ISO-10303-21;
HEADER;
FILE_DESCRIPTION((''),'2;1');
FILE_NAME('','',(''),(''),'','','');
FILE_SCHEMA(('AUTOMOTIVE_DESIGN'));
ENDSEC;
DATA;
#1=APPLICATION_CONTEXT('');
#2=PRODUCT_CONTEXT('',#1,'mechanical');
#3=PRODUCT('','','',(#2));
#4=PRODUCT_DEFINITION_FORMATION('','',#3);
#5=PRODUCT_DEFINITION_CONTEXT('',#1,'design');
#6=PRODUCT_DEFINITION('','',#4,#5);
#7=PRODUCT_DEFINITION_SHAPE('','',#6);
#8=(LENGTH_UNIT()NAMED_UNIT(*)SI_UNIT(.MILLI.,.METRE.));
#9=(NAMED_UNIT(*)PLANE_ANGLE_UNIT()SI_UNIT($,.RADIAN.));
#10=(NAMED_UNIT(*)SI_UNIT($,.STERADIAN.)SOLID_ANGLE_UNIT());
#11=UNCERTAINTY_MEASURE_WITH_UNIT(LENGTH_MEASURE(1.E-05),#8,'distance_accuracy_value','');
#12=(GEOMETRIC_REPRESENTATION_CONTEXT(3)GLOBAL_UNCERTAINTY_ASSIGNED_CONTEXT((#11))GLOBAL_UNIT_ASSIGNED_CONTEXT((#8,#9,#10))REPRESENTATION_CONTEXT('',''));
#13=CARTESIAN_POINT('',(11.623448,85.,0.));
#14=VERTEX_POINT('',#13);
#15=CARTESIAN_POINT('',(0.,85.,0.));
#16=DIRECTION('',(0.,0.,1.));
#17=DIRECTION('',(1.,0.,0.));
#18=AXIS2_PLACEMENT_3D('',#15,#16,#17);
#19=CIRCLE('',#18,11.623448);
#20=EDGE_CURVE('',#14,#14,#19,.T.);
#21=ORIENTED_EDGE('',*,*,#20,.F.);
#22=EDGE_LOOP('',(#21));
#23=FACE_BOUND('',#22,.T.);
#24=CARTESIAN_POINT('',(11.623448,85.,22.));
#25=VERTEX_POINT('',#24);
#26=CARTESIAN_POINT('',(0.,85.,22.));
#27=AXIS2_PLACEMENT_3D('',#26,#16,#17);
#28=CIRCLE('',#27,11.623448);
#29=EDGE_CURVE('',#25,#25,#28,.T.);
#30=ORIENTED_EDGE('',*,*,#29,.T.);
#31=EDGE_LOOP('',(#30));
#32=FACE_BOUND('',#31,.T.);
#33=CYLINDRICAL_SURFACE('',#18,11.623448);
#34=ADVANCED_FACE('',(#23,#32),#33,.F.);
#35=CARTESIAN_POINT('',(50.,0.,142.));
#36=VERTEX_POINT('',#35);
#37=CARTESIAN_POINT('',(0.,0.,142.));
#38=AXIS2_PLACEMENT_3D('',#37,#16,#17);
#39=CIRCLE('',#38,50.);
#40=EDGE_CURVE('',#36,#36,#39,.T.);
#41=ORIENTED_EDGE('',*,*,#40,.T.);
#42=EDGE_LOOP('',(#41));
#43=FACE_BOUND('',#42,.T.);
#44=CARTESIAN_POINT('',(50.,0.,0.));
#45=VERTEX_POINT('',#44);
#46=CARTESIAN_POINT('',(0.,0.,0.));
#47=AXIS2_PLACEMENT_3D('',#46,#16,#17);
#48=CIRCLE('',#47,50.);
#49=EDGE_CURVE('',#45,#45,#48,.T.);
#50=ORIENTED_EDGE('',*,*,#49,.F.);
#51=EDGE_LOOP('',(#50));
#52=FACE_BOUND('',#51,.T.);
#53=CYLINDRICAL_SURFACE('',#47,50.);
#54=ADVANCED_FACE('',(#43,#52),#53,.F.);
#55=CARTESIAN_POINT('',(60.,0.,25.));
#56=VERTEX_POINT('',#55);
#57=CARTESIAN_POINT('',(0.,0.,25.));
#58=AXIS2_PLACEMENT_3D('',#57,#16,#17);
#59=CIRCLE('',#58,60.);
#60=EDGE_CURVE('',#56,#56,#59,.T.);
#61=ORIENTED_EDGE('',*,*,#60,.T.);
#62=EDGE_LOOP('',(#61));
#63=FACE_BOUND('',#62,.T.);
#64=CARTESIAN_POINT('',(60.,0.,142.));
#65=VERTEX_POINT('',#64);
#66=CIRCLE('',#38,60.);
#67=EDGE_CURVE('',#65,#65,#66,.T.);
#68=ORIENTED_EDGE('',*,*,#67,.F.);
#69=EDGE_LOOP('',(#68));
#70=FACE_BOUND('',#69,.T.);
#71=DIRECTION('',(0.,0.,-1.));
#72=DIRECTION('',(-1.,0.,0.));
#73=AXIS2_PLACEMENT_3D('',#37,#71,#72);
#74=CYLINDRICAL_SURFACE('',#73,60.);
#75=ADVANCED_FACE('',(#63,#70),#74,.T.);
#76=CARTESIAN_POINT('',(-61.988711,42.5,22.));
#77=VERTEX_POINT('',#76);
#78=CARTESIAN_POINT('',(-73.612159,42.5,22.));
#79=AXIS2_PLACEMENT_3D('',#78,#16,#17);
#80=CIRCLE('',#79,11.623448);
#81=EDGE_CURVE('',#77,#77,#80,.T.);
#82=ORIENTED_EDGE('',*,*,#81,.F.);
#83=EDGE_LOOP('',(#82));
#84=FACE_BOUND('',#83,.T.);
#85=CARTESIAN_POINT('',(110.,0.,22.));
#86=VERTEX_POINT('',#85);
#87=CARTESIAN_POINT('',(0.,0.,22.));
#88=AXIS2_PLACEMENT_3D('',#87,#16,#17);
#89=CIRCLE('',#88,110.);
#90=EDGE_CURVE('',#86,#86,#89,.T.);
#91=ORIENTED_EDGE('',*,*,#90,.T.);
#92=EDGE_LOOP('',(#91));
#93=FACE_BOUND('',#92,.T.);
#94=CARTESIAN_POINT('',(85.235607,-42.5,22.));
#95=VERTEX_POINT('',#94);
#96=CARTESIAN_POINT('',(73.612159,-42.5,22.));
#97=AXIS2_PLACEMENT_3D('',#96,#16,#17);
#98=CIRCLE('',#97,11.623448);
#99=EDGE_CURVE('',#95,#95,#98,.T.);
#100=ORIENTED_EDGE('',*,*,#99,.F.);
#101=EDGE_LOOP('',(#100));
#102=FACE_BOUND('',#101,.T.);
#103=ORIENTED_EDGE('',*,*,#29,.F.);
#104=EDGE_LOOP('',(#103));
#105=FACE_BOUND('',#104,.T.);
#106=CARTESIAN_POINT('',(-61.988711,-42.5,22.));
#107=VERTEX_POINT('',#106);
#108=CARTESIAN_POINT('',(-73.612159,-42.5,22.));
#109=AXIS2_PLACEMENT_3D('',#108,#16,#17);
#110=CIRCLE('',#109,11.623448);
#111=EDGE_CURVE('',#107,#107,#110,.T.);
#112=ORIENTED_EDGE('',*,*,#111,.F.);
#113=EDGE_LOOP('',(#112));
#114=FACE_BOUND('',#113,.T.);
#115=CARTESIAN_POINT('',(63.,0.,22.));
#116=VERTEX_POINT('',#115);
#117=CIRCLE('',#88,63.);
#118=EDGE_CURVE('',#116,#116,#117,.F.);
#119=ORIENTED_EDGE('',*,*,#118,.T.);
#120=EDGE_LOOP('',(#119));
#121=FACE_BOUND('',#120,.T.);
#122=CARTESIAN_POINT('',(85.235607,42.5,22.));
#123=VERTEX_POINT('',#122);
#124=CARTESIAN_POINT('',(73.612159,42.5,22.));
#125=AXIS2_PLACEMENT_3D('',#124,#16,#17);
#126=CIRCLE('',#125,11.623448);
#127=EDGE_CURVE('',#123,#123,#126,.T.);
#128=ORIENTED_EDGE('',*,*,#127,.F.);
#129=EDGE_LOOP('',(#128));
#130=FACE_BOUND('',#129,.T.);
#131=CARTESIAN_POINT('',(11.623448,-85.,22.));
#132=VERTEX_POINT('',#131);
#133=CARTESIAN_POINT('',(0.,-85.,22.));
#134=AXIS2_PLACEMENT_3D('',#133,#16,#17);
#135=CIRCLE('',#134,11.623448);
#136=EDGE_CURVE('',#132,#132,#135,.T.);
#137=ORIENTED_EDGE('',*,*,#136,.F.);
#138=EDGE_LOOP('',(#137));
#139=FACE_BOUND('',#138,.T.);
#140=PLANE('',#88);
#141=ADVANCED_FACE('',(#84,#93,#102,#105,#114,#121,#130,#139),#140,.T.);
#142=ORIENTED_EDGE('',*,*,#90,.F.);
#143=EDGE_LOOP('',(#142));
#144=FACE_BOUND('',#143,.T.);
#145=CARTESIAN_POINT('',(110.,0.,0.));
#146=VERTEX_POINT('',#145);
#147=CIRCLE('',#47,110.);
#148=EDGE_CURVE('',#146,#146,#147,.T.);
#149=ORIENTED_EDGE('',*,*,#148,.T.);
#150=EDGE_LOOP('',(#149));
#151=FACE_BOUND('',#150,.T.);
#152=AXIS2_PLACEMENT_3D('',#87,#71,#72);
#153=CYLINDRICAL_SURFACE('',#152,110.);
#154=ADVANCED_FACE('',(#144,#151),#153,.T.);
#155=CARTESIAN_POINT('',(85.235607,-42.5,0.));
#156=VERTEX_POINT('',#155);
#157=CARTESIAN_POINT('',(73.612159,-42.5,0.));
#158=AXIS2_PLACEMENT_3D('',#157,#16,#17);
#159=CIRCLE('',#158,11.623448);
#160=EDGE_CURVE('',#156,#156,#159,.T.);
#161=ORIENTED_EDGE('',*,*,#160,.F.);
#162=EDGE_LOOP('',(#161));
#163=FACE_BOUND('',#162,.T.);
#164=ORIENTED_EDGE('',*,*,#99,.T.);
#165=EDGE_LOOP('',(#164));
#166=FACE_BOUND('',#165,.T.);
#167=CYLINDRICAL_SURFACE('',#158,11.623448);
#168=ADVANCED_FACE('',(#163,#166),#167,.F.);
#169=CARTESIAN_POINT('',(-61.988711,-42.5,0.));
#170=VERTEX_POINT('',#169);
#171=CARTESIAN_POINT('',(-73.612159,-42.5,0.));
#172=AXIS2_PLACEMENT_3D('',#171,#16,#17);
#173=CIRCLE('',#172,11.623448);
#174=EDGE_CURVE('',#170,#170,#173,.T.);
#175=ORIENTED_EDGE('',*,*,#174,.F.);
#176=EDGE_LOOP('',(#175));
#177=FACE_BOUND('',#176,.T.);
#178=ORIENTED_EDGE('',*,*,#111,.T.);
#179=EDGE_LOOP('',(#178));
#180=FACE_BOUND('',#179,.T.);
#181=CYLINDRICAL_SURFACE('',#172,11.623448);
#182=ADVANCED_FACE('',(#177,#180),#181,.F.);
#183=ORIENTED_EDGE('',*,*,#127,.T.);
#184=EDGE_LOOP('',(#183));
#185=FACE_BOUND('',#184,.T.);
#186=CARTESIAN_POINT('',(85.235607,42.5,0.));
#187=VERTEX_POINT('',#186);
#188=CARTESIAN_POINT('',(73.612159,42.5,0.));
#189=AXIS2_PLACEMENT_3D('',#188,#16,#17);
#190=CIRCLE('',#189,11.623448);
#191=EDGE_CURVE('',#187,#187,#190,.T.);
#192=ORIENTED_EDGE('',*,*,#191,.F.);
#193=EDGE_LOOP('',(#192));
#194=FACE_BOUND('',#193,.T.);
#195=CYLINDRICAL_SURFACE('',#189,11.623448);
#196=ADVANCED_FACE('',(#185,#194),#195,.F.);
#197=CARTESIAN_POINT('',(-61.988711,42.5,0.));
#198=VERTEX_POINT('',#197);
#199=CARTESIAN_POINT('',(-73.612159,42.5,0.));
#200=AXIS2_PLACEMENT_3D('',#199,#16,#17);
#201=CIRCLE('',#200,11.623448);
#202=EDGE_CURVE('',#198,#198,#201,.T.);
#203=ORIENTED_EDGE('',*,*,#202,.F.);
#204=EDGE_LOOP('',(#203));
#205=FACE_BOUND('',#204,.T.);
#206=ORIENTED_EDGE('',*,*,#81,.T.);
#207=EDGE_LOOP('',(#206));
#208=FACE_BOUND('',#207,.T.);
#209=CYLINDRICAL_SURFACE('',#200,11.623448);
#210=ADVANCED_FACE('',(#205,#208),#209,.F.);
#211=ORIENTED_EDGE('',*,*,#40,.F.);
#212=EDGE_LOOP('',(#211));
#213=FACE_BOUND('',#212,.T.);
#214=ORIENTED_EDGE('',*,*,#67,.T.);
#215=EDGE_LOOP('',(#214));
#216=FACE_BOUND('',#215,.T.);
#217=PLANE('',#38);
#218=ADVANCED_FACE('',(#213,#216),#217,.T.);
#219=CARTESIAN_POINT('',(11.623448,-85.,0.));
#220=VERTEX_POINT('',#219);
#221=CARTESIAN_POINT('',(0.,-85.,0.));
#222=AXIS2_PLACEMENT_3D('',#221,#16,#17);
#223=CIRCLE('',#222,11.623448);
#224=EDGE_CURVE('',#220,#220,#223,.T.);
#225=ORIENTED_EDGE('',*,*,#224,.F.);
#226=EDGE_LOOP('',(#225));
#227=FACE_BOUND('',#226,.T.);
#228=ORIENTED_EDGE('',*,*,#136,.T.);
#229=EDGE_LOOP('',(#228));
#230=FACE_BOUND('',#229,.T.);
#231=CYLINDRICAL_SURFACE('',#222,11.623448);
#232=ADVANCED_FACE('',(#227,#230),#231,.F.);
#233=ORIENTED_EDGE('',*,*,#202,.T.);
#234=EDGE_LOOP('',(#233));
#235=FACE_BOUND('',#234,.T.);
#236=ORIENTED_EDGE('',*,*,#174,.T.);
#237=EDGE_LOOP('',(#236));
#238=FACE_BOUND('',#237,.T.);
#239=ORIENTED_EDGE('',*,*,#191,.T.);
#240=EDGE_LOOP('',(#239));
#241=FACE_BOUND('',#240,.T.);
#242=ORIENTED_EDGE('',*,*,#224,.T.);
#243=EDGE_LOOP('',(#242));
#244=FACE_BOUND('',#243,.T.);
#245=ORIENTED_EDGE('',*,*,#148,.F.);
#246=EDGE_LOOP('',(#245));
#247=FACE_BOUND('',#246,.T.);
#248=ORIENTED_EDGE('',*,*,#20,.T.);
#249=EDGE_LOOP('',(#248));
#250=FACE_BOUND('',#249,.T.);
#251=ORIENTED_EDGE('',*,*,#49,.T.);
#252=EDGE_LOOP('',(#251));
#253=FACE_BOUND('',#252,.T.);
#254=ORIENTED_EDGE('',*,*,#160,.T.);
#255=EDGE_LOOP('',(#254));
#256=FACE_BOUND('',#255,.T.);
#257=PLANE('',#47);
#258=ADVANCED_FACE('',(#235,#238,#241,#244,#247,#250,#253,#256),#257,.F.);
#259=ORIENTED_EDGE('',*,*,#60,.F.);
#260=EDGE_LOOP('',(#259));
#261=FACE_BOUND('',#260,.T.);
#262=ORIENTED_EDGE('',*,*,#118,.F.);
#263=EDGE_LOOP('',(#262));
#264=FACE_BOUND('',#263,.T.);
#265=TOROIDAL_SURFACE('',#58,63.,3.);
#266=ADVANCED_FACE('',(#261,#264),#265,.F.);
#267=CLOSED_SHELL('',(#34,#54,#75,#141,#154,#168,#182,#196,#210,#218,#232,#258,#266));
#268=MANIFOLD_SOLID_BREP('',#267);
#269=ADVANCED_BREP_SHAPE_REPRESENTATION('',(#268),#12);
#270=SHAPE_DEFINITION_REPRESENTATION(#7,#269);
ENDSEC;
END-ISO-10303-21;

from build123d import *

# Parameters (mm, degrees)
SKETCH1_R           = 110
BOSS_EXTRUDE1_DEPTH = 22
SKETCH2_R           = 60
BOSS_EXTRUDE2_DEPTH = 120
SKETCH3_R           = 50
CUT_EXTRUDE1_DEPTH  = 211.627633515
SKETCH4_R           = 11.623448081
CUT_EXTRUDE2_DEPTH  = 197.468827044
FILLET1_R           = 3


with BuildPart() as part:
    # Sketch1 → Boss-Extrude1 (new body)
    with BuildSketch(Plane.XY):
        Circle(SKETCH1_R)
    extrude(amount=BOSS_EXTRUDE1_DEPTH)

    # Sketch2 → Boss-Extrude2 (add)
    with BuildSketch(Plane.XY.offset(22)):
        Circle(SKETCH2_R)
    extrude(amount=BOSS_EXTRUDE2_DEPTH)

    # Sketch3 → Cut-Extrude1 (cut, through all)
    with BuildSketch(Plane.XY.offset(142)):
        Circle(SKETCH3_R)
    extrude(amount=-CUT_EXTRUDE1_DEPTH, mode=Mode.SUBTRACT)

    # Sketch4 → Cut-Extrude2 (cut, through all)
    with BuildSketch(Plane.XY.offset(22)):
        with Locations((0, 85)):
            Circle(SKETCH4_R)
        with Locations((73.612159322, 42.5)):
            Circle(SKETCH4_R)
        with Locations((73.612159322, -42.5)):
            Circle(SKETCH4_R)
        with Locations((0, -85)):
            Circle(SKETCH4_R)
        with Locations((-73.612159322, -42.5)):
            Circle(SKETCH4_R)
        with Locations((-73.612159322, 42.5)):
            Circle(SKETCH4_R)
    extrude(amount=-CUT_EXTRUDE2_DEPTH, mode=Mode.SUBTRACT)

    # Fillet1
    fillet1_edges = [part.edges().sort_by_distance(p)[0] for p in [
        (-60, 0, 22),
    ]]
    fillet(fillet1_edges, radius=FILLET1_R)


solid = part.part
